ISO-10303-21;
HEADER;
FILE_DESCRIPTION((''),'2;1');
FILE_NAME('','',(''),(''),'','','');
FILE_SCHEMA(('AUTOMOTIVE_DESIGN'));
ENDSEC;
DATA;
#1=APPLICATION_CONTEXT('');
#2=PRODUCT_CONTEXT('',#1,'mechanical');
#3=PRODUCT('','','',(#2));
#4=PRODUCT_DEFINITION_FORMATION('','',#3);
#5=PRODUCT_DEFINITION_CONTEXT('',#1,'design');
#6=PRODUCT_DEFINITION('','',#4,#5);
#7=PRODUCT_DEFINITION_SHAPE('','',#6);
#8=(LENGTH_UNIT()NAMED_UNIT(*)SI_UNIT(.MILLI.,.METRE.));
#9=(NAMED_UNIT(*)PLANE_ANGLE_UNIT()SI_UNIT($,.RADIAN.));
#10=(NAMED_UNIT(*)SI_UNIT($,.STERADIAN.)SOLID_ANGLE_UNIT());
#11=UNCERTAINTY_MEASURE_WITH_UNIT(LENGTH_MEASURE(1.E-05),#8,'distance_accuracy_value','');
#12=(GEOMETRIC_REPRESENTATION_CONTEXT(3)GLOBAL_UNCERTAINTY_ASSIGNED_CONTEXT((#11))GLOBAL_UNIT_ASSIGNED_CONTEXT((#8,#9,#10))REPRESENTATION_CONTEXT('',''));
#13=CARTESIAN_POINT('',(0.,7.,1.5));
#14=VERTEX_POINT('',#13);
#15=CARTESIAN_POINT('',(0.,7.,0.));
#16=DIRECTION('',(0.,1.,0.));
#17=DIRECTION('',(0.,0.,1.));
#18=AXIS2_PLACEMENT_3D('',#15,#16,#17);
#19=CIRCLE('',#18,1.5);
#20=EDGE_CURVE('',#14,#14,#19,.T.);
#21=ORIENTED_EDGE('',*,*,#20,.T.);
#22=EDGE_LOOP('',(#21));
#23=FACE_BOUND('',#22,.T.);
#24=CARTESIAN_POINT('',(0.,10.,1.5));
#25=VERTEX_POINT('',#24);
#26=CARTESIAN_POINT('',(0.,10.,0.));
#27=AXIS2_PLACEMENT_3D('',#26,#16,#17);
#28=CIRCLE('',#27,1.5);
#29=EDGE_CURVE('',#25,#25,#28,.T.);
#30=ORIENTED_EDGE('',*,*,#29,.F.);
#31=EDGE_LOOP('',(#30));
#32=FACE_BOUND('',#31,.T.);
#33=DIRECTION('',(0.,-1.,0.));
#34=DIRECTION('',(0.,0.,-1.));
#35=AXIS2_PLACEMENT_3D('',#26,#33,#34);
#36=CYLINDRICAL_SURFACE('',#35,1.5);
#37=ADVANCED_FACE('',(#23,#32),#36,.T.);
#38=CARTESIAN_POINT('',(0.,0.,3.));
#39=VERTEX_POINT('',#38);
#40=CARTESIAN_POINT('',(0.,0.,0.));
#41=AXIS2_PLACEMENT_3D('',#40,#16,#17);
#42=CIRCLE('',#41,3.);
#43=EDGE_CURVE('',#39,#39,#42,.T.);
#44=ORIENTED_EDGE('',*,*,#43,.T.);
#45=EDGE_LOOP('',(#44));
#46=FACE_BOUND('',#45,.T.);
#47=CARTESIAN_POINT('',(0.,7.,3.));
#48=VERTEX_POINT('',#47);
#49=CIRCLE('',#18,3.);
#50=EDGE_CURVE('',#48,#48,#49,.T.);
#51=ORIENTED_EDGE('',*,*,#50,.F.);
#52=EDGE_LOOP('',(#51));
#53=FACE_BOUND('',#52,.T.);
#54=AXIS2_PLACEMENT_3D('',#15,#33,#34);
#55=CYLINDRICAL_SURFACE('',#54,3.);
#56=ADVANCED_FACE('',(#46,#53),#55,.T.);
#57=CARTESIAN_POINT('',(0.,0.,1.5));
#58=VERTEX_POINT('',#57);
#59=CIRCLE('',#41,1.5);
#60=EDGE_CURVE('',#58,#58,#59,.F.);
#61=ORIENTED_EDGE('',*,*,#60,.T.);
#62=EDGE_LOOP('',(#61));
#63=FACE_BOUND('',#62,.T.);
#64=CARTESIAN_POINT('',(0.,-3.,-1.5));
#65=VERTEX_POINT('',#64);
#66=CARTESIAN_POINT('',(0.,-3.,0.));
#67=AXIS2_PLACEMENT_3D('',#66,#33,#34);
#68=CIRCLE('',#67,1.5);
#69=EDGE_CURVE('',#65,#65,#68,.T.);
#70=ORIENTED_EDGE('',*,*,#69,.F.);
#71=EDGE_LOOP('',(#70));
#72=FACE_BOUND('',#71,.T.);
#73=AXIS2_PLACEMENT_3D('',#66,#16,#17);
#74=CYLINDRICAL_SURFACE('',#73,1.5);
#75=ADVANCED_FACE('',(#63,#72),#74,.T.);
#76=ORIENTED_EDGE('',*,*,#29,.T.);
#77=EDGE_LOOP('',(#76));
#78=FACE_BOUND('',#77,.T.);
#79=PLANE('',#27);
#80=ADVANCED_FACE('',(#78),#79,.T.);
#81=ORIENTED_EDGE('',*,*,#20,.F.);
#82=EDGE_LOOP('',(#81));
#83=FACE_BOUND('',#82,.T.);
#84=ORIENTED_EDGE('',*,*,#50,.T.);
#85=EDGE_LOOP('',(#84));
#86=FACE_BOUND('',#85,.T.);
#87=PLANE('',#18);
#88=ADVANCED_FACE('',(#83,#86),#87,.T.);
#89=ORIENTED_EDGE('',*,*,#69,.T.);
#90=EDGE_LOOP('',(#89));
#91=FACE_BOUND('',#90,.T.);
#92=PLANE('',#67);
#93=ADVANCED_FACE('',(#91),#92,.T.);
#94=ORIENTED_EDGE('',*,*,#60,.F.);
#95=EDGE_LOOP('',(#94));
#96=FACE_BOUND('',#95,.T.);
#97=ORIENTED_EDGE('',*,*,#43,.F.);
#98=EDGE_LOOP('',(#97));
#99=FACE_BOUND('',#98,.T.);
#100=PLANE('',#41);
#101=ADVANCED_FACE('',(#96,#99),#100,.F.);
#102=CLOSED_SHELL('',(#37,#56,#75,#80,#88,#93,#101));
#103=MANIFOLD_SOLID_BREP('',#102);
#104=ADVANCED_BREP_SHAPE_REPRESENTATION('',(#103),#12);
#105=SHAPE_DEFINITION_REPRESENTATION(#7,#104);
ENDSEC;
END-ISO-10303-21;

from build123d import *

# Parameters (mm, degrees)
SKETCH_1_R      = 3
EXTRUDE_1_DEPTH = 7
SKETCH_2_R      = 1.5
EXTRUDE_2_DEPTH = 3
SKETCH_3_R      = 1.5
EXTRUDE_3_DEPTH = 3


with BuildPart() as part:
    # Эскиз1 → Бобышка-Вытянуть1 (new body)
    with BuildSketch(Plane(origin=(0, 0, 0), x_dir=(1, 0, 0), z_dir=(0, 1, 0))):
        Circle(SKETCH_1_R)
    extrude(amount=EXTRUDE_1_DEPTH)

    # Эскиз2 → Бобышка-Вытянуть2 (add)
    with BuildSketch(Plane.XZ):
        Circle(SKETCH_2_R)
    extrude(amount=EXTRUDE_2_DEPTH)

    # Эскиз3 → Бобышка-Вытянуть3 (add)
    with BuildSketch(Plane(origin=(0, 7, 0), x_dir=(1, 0, 0), z_dir=(0, 1, 0))):
        Circle(SKETCH_3_R)
    extrude(amount=EXTRUDE_3_DEPTH)


solid = part.part
